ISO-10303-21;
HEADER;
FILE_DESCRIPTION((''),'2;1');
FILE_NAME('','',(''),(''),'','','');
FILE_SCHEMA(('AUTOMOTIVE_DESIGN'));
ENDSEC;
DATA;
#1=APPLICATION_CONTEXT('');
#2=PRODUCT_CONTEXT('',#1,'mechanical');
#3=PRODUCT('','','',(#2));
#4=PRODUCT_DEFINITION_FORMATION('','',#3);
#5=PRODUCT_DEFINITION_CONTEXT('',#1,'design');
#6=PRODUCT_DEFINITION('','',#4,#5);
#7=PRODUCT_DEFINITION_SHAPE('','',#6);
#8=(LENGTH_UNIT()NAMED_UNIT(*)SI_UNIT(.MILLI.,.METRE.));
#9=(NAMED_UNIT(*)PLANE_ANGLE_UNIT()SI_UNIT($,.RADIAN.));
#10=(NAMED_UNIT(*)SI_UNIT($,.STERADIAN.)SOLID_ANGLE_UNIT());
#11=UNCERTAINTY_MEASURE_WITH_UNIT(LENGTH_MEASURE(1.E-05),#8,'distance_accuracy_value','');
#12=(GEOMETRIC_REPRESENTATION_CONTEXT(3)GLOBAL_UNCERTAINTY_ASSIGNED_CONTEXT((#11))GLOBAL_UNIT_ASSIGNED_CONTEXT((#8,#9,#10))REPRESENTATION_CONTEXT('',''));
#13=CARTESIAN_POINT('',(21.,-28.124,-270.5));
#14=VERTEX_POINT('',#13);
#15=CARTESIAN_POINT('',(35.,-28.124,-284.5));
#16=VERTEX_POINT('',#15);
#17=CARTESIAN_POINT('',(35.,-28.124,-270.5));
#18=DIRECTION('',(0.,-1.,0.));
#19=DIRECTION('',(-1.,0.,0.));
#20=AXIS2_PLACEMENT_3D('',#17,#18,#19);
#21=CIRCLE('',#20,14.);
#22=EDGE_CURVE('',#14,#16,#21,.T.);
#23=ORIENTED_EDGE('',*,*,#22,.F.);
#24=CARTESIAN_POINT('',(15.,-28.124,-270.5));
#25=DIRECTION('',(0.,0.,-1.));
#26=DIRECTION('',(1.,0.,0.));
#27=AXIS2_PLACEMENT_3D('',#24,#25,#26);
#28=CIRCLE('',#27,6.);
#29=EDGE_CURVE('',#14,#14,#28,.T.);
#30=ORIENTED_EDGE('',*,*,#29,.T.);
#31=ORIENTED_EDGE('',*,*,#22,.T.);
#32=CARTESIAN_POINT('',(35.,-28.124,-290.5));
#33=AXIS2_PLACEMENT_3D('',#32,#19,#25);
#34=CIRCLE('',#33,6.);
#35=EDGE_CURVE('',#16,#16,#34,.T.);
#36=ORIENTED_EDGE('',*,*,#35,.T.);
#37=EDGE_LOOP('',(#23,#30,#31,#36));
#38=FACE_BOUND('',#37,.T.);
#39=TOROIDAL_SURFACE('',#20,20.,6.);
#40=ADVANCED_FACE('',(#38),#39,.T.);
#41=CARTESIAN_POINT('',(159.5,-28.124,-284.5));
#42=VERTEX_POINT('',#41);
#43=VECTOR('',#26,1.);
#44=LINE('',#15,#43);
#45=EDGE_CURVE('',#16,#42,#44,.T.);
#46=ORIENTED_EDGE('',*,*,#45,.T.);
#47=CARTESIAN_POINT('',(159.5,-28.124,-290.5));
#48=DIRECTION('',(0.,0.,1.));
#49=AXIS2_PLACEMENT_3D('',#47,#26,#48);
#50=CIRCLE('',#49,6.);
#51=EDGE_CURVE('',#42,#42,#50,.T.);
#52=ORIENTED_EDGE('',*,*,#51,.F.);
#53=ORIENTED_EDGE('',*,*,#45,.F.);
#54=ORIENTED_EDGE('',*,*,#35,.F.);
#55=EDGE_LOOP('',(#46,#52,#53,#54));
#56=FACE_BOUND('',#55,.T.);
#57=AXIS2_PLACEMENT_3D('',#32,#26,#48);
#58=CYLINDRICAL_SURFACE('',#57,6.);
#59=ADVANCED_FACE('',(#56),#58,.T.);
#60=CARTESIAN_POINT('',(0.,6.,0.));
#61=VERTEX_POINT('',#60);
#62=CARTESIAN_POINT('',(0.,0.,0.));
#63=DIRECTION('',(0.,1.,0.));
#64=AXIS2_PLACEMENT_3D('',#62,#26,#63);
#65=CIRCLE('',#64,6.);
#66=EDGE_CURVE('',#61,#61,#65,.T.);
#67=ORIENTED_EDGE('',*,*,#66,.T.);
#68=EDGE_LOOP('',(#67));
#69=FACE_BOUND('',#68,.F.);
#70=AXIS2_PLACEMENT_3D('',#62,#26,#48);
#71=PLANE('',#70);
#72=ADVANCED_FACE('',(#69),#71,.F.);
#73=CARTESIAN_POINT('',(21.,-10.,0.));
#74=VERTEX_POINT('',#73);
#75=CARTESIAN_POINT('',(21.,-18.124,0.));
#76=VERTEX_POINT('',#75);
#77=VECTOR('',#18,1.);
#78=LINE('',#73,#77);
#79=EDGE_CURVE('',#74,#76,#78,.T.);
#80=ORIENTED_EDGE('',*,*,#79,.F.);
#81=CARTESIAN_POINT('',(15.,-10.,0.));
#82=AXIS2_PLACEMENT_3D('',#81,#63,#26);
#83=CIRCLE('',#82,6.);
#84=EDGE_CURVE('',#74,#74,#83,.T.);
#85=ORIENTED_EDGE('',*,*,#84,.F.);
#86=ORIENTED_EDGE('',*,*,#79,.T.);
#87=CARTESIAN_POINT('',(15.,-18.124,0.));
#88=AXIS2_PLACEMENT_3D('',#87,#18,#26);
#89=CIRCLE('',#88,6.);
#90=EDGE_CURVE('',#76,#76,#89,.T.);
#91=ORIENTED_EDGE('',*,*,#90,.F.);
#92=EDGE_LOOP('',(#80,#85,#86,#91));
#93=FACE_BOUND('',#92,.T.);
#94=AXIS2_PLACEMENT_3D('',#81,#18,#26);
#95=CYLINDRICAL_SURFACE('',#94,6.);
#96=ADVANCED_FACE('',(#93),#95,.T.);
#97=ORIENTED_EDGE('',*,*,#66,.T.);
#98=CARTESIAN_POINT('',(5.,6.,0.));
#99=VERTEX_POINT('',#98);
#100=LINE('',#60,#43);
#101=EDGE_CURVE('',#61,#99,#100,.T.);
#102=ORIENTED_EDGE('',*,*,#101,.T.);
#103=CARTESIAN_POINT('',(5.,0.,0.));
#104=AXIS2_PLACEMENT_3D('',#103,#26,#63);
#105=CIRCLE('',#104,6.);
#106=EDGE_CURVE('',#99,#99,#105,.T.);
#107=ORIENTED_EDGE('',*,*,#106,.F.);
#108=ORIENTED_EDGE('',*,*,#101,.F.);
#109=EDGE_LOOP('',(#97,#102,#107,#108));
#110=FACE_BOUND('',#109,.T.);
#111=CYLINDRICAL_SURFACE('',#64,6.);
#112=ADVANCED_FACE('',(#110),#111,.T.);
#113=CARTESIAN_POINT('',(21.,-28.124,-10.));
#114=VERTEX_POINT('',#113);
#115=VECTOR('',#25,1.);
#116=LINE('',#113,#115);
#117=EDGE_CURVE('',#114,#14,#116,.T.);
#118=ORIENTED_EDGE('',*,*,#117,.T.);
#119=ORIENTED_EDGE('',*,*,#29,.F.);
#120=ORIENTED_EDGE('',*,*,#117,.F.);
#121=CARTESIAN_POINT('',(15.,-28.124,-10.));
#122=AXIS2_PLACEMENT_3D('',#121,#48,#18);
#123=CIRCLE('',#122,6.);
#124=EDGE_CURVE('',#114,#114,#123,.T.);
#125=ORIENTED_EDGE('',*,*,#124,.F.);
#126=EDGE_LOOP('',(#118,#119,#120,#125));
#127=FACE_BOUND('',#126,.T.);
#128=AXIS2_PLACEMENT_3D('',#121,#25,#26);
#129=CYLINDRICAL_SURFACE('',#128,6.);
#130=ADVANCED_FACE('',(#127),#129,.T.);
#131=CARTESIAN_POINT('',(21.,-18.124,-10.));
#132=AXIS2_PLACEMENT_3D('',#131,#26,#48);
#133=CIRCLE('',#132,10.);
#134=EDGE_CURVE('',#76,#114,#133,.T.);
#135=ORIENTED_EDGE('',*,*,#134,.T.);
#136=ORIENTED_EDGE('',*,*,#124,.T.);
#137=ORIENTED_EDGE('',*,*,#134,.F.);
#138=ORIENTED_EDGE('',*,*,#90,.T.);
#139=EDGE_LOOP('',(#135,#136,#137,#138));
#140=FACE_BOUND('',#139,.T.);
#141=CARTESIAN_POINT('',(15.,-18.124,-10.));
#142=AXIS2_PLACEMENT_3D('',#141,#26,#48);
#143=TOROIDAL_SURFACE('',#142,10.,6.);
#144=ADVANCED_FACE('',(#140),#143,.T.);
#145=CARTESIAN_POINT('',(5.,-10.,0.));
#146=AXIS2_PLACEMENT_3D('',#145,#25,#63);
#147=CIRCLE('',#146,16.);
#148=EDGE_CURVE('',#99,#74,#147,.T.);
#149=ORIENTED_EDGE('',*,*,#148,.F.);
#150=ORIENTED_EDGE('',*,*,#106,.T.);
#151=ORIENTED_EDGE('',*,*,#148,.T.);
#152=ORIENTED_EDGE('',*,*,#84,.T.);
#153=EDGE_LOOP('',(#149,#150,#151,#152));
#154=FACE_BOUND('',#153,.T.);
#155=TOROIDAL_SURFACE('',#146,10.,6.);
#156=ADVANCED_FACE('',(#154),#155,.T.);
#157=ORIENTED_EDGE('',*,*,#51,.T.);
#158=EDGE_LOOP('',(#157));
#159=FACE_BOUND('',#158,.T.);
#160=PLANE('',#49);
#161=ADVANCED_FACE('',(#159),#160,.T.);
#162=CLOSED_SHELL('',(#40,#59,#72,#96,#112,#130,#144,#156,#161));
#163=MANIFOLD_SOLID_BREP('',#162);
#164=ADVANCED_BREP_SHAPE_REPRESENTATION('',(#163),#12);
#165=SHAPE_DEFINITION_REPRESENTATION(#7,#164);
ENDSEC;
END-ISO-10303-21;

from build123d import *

# Parameters (mm, degrees)
F5_R = 6


with BuildPart() as f6:
    # F6: sweep along a path in F0, F4, F2
    with BuildLine(Plane.XY) as f6_path:
        Line((0, 0), (5, 0))
        ThreePointArc((5, 0), (12.0710678119, -2.9289321881), (15, -10))
        Line((15, -10), (15, -18.124))
    with BuildLine(Plane.YZ.offset(15)) as f6_path_2:
        ThreePointArc((-18.124, 0), (-25.1950678119, -2.9289321881), (-28.124, -10))
        Line((-28.124, -10), (-28.124, -20))
    with BuildLine(Plane.XZ.offset(28.124)) as f6_path_3:
        Line((15, -20), (15, -270.5))
        ThreePointArc((15, -270.5), (20.8578643763, -284.6421356237), (35, -290.5))
        Line((35, -290.5), (159.5, -290.5))
    # F5 (on Right) → F6 (sweep)
    with BuildSketch(Plane.YZ):
        Circle(F5_R)
    sweep(path=f6_path.line + f6_path_2.line + f6_path_3.line)


solid = f6.part
